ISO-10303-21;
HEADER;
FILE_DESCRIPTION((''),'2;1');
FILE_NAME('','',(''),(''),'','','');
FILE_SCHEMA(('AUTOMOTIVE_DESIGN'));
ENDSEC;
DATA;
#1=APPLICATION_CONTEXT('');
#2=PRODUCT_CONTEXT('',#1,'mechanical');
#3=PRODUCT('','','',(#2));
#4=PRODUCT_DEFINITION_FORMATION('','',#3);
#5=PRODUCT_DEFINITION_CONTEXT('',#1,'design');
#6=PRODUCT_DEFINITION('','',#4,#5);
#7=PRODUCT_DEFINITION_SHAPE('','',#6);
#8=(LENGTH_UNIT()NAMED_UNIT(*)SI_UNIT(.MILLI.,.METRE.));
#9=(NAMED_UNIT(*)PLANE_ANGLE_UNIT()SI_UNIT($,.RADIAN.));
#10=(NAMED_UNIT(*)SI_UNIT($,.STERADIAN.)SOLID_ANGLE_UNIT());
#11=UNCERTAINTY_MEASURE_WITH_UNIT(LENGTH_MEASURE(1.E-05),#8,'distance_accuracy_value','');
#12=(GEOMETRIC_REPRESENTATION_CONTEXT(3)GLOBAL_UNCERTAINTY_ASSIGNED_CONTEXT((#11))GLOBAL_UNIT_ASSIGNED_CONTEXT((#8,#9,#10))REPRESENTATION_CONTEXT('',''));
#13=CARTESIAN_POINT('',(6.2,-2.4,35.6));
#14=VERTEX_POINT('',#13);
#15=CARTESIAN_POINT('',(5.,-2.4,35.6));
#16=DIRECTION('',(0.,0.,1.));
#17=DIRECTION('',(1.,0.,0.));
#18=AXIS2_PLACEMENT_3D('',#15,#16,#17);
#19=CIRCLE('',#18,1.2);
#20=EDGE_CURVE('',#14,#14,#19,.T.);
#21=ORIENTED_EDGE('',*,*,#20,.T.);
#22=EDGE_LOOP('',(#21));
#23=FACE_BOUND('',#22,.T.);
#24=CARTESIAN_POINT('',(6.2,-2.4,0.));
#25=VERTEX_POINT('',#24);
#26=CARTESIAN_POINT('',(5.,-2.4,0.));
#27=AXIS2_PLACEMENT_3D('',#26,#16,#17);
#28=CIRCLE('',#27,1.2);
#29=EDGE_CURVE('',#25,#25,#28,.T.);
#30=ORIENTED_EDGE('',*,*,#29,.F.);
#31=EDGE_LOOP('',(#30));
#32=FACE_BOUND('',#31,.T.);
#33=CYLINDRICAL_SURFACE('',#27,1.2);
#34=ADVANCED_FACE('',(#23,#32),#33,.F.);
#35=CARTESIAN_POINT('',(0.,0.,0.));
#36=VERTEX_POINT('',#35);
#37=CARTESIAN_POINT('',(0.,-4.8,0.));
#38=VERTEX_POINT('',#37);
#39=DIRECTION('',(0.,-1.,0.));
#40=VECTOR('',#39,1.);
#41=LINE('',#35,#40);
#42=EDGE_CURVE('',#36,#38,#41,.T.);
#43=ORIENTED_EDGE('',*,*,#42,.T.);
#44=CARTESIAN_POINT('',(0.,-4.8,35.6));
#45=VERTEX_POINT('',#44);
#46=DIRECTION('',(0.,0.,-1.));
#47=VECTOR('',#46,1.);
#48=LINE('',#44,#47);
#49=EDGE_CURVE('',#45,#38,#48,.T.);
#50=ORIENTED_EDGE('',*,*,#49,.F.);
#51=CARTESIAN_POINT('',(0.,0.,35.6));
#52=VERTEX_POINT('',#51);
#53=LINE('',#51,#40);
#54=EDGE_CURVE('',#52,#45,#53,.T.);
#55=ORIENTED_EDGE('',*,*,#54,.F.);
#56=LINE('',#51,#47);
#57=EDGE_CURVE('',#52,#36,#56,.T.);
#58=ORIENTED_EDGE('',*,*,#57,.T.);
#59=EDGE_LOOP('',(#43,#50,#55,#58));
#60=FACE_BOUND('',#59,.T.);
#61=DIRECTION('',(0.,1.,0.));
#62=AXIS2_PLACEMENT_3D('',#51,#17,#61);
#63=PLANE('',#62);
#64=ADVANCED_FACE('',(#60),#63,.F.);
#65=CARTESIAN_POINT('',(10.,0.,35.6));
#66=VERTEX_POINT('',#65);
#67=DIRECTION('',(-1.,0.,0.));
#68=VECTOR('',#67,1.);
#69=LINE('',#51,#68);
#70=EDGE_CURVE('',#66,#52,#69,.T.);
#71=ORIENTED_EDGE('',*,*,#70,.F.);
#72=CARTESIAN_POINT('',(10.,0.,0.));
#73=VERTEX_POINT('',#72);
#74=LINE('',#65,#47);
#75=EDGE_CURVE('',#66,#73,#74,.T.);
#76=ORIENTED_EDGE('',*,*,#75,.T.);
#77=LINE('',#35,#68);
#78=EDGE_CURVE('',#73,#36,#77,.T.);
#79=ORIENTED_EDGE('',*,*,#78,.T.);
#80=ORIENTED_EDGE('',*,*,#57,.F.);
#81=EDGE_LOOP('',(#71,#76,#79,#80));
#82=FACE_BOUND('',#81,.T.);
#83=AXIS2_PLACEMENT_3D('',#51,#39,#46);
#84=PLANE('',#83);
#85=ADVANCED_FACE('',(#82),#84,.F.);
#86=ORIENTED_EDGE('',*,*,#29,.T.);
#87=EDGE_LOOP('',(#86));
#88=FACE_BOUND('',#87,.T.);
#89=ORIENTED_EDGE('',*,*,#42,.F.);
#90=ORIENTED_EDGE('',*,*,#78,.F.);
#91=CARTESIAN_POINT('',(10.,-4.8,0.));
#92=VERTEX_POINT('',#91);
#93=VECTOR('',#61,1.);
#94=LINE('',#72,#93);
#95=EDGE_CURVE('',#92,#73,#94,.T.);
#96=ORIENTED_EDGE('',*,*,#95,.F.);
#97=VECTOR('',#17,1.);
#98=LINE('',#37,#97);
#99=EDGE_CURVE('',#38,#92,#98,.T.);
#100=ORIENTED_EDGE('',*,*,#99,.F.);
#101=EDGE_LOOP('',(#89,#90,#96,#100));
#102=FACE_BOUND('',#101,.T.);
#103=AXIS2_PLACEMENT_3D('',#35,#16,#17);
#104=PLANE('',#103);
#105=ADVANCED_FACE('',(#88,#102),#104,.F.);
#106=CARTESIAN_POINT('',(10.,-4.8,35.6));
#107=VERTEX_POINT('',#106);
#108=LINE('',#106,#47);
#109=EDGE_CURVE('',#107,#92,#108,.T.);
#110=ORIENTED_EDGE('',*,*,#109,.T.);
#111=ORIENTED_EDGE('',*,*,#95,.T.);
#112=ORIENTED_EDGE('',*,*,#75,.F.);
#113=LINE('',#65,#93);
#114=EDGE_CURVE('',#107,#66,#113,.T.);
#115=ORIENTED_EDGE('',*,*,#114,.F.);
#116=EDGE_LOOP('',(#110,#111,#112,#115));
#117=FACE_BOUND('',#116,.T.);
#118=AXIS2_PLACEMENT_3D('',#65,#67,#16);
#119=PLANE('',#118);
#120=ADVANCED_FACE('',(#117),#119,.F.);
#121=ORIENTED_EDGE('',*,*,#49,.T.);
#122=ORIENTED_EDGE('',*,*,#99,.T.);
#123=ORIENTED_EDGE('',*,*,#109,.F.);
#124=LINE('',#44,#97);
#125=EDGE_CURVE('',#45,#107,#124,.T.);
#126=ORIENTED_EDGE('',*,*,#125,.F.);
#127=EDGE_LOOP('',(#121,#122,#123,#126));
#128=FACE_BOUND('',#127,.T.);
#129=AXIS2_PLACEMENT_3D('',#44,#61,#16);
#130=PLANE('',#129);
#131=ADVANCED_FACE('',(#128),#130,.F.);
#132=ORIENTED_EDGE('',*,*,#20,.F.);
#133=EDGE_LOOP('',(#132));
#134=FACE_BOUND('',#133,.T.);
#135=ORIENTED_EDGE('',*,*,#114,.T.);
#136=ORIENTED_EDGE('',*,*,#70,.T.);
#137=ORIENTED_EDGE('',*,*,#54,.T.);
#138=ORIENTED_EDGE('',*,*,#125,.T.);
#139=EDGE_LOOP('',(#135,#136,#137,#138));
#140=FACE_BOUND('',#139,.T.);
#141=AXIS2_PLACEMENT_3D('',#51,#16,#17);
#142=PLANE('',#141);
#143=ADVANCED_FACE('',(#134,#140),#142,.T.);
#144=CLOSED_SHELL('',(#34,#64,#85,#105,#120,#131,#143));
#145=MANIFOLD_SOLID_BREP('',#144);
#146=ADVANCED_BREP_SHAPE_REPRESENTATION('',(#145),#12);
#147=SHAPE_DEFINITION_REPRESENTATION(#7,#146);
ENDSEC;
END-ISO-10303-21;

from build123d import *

# Parameters (mm, degrees)
SKETCH_1_W          = 10
SKETCH_1_H          = 4.8
EXTRUDE_1_DEPTH     = 35.6
SKETCH_2_R          = 1.2
CUT_EXTRUDE_1_DEPTH = 38.288067797


with BuildPart() as part:
    # 草图1 → 凸台-拉伸1 (new body)
    with BuildSketch(Plane.XY):
        with Locations((5, -2.4)):
            Rectangle(SKETCH_1_W, SKETCH_1_H)
    extrude(amount=EXTRUDE_1_DEPTH)

    # 草图2 → 切除-拉伸1 (cut, through all)
    with BuildSketch(Plane.XY.offset(35.6)):
        with Locations((5, -2.4)):
            Circle(SKETCH_2_R)
    extrude(amount=-CUT_EXTRUDE_1_DEPTH, mode=Mode.SUBTRACT)


solid = part.part
